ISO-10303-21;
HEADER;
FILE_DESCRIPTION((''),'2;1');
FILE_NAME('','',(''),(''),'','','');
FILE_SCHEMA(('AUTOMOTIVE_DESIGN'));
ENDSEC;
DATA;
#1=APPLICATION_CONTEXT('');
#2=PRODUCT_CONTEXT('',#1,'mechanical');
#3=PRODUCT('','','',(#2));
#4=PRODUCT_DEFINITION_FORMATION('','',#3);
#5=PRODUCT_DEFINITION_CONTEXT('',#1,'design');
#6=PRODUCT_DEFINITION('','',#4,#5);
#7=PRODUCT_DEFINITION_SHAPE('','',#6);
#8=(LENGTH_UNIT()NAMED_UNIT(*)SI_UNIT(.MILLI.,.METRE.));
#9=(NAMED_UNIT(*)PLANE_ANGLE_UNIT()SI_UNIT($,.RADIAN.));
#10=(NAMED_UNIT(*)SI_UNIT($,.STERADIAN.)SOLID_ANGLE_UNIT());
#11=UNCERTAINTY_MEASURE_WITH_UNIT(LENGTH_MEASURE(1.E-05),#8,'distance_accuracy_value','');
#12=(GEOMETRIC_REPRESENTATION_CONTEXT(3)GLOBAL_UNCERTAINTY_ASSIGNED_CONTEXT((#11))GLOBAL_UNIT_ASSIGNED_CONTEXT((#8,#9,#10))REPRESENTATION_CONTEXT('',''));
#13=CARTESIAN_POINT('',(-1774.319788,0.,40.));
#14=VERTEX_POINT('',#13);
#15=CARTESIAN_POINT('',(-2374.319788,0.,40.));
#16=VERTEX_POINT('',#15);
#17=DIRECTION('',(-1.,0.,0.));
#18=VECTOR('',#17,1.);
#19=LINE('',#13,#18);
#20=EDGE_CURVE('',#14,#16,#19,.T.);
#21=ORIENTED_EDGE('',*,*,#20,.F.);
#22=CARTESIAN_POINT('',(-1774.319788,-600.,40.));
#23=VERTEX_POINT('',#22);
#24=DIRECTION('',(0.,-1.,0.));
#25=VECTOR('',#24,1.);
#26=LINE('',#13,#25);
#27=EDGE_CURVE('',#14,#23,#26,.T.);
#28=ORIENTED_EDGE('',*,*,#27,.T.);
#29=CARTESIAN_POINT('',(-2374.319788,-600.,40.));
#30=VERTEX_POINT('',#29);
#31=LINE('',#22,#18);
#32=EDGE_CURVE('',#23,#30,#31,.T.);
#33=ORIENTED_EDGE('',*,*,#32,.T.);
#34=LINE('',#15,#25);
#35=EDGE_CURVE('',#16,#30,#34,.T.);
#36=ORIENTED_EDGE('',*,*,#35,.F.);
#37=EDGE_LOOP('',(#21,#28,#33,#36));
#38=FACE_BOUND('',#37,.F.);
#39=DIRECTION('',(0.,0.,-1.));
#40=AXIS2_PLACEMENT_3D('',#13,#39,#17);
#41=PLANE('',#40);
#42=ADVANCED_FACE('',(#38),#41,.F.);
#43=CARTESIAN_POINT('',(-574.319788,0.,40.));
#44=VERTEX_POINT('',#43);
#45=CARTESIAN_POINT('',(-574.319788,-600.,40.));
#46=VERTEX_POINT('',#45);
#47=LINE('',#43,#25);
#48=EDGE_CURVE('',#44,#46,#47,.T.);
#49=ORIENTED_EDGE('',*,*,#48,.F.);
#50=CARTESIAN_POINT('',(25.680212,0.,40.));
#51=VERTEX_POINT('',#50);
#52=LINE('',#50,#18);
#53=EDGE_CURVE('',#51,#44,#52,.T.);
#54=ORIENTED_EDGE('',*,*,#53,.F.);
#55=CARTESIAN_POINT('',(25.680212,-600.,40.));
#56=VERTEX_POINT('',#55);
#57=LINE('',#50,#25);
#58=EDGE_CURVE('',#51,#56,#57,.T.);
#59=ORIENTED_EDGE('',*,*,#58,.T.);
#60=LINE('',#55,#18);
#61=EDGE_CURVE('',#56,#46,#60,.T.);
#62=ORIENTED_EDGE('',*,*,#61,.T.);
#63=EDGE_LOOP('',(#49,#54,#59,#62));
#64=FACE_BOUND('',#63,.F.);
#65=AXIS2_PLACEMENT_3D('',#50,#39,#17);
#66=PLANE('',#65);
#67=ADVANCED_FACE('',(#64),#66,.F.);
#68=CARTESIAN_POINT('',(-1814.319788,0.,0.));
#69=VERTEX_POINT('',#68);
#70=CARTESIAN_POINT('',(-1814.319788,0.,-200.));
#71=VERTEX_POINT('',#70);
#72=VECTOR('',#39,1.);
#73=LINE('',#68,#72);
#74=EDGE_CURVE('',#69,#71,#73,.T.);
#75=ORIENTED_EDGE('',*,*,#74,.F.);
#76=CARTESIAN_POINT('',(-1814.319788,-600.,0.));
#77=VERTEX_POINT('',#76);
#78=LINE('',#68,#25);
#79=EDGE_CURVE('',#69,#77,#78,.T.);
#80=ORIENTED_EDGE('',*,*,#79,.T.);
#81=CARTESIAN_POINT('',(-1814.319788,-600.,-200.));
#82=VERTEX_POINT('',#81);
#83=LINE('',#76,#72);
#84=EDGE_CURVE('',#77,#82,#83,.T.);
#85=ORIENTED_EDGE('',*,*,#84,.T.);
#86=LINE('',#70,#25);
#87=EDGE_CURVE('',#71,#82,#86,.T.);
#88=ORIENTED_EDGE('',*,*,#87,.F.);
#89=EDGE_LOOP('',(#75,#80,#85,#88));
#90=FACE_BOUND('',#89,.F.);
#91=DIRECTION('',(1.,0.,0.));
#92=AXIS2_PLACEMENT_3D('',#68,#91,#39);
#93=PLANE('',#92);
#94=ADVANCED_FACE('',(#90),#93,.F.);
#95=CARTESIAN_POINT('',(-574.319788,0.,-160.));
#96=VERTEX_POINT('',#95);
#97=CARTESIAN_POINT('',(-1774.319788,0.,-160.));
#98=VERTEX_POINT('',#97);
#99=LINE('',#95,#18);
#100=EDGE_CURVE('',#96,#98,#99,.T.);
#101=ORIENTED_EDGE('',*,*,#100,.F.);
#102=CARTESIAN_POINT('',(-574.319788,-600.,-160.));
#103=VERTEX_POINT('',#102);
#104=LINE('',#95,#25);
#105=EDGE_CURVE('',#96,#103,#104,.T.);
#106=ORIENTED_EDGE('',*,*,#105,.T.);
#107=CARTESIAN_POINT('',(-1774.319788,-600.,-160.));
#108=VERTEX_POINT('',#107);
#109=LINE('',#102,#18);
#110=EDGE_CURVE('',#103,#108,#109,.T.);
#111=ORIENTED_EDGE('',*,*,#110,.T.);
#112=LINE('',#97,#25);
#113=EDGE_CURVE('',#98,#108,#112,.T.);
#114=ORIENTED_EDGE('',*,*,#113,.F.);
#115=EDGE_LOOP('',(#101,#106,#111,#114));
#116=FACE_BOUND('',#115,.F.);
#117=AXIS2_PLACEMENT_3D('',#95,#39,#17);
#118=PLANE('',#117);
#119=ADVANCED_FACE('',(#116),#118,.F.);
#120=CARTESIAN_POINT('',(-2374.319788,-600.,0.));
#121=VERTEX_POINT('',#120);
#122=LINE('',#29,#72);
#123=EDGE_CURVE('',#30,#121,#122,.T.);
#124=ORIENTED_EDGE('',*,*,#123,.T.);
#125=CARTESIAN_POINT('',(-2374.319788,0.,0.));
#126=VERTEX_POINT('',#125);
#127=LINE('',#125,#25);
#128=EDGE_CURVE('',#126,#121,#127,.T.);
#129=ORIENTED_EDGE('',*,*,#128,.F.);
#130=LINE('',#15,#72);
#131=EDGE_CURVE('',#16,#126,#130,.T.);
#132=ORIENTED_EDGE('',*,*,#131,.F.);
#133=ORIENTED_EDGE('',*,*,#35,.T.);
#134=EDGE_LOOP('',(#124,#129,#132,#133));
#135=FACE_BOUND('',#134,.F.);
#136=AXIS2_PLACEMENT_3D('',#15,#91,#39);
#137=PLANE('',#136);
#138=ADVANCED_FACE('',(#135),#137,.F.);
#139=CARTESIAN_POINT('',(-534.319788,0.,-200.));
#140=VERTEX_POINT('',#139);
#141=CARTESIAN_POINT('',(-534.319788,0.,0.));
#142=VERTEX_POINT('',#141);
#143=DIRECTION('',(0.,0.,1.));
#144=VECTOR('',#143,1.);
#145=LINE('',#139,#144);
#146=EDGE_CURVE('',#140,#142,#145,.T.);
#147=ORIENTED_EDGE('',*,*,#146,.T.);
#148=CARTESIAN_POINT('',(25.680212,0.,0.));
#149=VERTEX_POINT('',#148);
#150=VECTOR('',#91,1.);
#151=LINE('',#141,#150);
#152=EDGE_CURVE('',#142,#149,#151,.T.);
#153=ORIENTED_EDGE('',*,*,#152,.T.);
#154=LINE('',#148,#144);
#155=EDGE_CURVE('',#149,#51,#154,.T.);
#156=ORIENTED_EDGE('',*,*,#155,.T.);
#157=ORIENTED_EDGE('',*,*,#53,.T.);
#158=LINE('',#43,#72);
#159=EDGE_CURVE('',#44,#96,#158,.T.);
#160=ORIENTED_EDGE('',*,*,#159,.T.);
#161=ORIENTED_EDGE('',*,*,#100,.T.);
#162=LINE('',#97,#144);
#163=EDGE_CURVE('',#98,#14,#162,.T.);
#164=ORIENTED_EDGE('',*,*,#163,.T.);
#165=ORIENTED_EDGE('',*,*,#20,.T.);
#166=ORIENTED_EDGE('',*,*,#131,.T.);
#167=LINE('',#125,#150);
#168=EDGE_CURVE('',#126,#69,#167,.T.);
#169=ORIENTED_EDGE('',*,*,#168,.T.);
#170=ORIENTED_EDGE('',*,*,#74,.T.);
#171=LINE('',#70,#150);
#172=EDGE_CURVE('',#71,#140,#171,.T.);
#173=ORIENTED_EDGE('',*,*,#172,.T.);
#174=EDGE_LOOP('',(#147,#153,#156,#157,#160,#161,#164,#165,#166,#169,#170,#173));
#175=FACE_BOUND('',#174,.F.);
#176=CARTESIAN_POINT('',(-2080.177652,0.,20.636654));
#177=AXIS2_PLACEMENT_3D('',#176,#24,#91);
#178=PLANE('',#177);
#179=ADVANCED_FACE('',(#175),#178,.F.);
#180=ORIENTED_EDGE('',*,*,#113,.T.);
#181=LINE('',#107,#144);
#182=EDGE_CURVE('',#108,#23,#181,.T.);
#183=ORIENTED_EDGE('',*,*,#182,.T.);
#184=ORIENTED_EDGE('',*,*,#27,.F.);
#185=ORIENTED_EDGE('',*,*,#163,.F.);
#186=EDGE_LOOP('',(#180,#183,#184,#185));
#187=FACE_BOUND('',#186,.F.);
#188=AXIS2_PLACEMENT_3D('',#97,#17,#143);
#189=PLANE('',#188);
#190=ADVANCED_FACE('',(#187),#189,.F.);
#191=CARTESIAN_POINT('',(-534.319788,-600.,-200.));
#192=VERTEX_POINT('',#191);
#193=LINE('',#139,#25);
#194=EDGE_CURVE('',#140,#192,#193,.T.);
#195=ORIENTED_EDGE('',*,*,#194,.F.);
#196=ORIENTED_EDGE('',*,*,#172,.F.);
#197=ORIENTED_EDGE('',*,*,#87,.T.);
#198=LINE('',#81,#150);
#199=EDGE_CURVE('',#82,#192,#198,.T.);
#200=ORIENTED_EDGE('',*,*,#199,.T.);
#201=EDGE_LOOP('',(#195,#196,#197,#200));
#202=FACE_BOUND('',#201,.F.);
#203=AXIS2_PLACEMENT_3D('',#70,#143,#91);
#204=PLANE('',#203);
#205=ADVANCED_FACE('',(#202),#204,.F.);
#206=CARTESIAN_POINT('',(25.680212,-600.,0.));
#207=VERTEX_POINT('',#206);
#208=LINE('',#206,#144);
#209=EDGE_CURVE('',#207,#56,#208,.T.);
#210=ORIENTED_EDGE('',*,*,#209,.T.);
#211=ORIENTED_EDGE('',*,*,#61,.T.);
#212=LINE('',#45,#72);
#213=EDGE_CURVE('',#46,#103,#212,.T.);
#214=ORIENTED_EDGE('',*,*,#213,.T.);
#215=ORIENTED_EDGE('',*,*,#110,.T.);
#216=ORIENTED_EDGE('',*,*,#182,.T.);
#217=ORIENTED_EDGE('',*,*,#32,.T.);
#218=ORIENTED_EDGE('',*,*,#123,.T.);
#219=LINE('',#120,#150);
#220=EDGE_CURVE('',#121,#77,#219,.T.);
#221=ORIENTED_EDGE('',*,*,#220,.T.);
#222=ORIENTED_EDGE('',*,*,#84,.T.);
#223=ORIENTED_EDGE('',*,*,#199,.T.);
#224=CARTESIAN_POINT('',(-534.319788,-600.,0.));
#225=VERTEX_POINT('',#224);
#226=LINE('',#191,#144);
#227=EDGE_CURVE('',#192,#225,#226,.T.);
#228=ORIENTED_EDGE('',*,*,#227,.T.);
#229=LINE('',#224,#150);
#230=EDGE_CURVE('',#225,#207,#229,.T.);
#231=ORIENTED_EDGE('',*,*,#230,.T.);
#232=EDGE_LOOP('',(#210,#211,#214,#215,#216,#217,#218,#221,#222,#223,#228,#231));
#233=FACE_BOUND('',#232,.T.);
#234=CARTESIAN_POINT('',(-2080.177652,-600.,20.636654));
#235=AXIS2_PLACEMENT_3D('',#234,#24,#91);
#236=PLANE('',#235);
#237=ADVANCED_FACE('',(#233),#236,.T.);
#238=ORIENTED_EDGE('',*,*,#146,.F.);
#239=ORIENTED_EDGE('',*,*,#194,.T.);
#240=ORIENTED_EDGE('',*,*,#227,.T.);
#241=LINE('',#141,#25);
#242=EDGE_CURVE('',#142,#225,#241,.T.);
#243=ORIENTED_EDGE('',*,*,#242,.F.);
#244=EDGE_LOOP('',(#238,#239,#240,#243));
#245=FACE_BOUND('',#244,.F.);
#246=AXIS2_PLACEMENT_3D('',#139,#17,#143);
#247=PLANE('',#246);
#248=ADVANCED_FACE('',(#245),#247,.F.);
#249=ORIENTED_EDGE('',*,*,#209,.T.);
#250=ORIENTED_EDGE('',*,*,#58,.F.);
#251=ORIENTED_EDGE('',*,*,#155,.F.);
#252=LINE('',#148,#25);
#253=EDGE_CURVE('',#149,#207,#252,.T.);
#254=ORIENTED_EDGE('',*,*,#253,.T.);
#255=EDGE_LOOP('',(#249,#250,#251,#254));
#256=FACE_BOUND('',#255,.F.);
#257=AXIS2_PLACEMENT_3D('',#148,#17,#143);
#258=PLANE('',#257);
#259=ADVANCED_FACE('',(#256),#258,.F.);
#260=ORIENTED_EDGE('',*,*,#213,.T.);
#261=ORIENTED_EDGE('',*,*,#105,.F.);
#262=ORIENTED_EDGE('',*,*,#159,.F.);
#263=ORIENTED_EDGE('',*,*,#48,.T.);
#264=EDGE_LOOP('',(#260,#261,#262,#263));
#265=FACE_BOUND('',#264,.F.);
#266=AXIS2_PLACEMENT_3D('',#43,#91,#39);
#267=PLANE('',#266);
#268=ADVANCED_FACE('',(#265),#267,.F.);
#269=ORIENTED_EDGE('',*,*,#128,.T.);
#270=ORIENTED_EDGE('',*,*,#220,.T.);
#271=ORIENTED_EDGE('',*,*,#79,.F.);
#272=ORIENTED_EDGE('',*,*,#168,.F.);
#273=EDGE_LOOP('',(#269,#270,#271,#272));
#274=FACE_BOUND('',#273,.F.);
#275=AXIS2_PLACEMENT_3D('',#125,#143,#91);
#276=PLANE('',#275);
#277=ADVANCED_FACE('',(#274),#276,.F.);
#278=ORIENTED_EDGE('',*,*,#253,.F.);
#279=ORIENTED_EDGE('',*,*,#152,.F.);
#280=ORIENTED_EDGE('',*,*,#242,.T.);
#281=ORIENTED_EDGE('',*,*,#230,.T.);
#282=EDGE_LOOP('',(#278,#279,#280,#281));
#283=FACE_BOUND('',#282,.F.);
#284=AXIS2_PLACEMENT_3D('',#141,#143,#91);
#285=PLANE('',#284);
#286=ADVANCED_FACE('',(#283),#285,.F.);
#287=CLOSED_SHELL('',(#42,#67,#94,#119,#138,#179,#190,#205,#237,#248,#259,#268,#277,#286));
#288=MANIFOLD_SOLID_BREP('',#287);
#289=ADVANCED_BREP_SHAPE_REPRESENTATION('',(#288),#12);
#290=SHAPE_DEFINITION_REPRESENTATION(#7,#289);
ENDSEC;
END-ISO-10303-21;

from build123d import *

# Parameters (mm, degrees)
F1_DEPTH = 600


with BuildPart() as f1:
    # F0 (on Front) → F1 (new body)
    with BuildSketch(Plane.XZ):
        Polygon((-1814.319788, 0), (-1774.319788, 40), (-2374.319788, 40), (-2374.319788, 0), align=None)
        Polygon((-1774.319788, -160), (-1774.319788, 40), (-1814.319788, 0), (-1814.319788, -200), align=None)
        Polygon((-574.319788, -160), (-1774.319788, -160), (-1814.319788, -200), (-534.319788, -200), align=None)
        Polygon((-574.319788, 40), (-574.319788, -160), (-534.319788, -200), (-534.319788, 0), align=None)
        Polygon((25.680212, 40), (-574.319788, 40), (-534.319788, 0), (25.680212, 0), align=None)
    extrude(amount=F1_DEPTH)


solid = f1.part
